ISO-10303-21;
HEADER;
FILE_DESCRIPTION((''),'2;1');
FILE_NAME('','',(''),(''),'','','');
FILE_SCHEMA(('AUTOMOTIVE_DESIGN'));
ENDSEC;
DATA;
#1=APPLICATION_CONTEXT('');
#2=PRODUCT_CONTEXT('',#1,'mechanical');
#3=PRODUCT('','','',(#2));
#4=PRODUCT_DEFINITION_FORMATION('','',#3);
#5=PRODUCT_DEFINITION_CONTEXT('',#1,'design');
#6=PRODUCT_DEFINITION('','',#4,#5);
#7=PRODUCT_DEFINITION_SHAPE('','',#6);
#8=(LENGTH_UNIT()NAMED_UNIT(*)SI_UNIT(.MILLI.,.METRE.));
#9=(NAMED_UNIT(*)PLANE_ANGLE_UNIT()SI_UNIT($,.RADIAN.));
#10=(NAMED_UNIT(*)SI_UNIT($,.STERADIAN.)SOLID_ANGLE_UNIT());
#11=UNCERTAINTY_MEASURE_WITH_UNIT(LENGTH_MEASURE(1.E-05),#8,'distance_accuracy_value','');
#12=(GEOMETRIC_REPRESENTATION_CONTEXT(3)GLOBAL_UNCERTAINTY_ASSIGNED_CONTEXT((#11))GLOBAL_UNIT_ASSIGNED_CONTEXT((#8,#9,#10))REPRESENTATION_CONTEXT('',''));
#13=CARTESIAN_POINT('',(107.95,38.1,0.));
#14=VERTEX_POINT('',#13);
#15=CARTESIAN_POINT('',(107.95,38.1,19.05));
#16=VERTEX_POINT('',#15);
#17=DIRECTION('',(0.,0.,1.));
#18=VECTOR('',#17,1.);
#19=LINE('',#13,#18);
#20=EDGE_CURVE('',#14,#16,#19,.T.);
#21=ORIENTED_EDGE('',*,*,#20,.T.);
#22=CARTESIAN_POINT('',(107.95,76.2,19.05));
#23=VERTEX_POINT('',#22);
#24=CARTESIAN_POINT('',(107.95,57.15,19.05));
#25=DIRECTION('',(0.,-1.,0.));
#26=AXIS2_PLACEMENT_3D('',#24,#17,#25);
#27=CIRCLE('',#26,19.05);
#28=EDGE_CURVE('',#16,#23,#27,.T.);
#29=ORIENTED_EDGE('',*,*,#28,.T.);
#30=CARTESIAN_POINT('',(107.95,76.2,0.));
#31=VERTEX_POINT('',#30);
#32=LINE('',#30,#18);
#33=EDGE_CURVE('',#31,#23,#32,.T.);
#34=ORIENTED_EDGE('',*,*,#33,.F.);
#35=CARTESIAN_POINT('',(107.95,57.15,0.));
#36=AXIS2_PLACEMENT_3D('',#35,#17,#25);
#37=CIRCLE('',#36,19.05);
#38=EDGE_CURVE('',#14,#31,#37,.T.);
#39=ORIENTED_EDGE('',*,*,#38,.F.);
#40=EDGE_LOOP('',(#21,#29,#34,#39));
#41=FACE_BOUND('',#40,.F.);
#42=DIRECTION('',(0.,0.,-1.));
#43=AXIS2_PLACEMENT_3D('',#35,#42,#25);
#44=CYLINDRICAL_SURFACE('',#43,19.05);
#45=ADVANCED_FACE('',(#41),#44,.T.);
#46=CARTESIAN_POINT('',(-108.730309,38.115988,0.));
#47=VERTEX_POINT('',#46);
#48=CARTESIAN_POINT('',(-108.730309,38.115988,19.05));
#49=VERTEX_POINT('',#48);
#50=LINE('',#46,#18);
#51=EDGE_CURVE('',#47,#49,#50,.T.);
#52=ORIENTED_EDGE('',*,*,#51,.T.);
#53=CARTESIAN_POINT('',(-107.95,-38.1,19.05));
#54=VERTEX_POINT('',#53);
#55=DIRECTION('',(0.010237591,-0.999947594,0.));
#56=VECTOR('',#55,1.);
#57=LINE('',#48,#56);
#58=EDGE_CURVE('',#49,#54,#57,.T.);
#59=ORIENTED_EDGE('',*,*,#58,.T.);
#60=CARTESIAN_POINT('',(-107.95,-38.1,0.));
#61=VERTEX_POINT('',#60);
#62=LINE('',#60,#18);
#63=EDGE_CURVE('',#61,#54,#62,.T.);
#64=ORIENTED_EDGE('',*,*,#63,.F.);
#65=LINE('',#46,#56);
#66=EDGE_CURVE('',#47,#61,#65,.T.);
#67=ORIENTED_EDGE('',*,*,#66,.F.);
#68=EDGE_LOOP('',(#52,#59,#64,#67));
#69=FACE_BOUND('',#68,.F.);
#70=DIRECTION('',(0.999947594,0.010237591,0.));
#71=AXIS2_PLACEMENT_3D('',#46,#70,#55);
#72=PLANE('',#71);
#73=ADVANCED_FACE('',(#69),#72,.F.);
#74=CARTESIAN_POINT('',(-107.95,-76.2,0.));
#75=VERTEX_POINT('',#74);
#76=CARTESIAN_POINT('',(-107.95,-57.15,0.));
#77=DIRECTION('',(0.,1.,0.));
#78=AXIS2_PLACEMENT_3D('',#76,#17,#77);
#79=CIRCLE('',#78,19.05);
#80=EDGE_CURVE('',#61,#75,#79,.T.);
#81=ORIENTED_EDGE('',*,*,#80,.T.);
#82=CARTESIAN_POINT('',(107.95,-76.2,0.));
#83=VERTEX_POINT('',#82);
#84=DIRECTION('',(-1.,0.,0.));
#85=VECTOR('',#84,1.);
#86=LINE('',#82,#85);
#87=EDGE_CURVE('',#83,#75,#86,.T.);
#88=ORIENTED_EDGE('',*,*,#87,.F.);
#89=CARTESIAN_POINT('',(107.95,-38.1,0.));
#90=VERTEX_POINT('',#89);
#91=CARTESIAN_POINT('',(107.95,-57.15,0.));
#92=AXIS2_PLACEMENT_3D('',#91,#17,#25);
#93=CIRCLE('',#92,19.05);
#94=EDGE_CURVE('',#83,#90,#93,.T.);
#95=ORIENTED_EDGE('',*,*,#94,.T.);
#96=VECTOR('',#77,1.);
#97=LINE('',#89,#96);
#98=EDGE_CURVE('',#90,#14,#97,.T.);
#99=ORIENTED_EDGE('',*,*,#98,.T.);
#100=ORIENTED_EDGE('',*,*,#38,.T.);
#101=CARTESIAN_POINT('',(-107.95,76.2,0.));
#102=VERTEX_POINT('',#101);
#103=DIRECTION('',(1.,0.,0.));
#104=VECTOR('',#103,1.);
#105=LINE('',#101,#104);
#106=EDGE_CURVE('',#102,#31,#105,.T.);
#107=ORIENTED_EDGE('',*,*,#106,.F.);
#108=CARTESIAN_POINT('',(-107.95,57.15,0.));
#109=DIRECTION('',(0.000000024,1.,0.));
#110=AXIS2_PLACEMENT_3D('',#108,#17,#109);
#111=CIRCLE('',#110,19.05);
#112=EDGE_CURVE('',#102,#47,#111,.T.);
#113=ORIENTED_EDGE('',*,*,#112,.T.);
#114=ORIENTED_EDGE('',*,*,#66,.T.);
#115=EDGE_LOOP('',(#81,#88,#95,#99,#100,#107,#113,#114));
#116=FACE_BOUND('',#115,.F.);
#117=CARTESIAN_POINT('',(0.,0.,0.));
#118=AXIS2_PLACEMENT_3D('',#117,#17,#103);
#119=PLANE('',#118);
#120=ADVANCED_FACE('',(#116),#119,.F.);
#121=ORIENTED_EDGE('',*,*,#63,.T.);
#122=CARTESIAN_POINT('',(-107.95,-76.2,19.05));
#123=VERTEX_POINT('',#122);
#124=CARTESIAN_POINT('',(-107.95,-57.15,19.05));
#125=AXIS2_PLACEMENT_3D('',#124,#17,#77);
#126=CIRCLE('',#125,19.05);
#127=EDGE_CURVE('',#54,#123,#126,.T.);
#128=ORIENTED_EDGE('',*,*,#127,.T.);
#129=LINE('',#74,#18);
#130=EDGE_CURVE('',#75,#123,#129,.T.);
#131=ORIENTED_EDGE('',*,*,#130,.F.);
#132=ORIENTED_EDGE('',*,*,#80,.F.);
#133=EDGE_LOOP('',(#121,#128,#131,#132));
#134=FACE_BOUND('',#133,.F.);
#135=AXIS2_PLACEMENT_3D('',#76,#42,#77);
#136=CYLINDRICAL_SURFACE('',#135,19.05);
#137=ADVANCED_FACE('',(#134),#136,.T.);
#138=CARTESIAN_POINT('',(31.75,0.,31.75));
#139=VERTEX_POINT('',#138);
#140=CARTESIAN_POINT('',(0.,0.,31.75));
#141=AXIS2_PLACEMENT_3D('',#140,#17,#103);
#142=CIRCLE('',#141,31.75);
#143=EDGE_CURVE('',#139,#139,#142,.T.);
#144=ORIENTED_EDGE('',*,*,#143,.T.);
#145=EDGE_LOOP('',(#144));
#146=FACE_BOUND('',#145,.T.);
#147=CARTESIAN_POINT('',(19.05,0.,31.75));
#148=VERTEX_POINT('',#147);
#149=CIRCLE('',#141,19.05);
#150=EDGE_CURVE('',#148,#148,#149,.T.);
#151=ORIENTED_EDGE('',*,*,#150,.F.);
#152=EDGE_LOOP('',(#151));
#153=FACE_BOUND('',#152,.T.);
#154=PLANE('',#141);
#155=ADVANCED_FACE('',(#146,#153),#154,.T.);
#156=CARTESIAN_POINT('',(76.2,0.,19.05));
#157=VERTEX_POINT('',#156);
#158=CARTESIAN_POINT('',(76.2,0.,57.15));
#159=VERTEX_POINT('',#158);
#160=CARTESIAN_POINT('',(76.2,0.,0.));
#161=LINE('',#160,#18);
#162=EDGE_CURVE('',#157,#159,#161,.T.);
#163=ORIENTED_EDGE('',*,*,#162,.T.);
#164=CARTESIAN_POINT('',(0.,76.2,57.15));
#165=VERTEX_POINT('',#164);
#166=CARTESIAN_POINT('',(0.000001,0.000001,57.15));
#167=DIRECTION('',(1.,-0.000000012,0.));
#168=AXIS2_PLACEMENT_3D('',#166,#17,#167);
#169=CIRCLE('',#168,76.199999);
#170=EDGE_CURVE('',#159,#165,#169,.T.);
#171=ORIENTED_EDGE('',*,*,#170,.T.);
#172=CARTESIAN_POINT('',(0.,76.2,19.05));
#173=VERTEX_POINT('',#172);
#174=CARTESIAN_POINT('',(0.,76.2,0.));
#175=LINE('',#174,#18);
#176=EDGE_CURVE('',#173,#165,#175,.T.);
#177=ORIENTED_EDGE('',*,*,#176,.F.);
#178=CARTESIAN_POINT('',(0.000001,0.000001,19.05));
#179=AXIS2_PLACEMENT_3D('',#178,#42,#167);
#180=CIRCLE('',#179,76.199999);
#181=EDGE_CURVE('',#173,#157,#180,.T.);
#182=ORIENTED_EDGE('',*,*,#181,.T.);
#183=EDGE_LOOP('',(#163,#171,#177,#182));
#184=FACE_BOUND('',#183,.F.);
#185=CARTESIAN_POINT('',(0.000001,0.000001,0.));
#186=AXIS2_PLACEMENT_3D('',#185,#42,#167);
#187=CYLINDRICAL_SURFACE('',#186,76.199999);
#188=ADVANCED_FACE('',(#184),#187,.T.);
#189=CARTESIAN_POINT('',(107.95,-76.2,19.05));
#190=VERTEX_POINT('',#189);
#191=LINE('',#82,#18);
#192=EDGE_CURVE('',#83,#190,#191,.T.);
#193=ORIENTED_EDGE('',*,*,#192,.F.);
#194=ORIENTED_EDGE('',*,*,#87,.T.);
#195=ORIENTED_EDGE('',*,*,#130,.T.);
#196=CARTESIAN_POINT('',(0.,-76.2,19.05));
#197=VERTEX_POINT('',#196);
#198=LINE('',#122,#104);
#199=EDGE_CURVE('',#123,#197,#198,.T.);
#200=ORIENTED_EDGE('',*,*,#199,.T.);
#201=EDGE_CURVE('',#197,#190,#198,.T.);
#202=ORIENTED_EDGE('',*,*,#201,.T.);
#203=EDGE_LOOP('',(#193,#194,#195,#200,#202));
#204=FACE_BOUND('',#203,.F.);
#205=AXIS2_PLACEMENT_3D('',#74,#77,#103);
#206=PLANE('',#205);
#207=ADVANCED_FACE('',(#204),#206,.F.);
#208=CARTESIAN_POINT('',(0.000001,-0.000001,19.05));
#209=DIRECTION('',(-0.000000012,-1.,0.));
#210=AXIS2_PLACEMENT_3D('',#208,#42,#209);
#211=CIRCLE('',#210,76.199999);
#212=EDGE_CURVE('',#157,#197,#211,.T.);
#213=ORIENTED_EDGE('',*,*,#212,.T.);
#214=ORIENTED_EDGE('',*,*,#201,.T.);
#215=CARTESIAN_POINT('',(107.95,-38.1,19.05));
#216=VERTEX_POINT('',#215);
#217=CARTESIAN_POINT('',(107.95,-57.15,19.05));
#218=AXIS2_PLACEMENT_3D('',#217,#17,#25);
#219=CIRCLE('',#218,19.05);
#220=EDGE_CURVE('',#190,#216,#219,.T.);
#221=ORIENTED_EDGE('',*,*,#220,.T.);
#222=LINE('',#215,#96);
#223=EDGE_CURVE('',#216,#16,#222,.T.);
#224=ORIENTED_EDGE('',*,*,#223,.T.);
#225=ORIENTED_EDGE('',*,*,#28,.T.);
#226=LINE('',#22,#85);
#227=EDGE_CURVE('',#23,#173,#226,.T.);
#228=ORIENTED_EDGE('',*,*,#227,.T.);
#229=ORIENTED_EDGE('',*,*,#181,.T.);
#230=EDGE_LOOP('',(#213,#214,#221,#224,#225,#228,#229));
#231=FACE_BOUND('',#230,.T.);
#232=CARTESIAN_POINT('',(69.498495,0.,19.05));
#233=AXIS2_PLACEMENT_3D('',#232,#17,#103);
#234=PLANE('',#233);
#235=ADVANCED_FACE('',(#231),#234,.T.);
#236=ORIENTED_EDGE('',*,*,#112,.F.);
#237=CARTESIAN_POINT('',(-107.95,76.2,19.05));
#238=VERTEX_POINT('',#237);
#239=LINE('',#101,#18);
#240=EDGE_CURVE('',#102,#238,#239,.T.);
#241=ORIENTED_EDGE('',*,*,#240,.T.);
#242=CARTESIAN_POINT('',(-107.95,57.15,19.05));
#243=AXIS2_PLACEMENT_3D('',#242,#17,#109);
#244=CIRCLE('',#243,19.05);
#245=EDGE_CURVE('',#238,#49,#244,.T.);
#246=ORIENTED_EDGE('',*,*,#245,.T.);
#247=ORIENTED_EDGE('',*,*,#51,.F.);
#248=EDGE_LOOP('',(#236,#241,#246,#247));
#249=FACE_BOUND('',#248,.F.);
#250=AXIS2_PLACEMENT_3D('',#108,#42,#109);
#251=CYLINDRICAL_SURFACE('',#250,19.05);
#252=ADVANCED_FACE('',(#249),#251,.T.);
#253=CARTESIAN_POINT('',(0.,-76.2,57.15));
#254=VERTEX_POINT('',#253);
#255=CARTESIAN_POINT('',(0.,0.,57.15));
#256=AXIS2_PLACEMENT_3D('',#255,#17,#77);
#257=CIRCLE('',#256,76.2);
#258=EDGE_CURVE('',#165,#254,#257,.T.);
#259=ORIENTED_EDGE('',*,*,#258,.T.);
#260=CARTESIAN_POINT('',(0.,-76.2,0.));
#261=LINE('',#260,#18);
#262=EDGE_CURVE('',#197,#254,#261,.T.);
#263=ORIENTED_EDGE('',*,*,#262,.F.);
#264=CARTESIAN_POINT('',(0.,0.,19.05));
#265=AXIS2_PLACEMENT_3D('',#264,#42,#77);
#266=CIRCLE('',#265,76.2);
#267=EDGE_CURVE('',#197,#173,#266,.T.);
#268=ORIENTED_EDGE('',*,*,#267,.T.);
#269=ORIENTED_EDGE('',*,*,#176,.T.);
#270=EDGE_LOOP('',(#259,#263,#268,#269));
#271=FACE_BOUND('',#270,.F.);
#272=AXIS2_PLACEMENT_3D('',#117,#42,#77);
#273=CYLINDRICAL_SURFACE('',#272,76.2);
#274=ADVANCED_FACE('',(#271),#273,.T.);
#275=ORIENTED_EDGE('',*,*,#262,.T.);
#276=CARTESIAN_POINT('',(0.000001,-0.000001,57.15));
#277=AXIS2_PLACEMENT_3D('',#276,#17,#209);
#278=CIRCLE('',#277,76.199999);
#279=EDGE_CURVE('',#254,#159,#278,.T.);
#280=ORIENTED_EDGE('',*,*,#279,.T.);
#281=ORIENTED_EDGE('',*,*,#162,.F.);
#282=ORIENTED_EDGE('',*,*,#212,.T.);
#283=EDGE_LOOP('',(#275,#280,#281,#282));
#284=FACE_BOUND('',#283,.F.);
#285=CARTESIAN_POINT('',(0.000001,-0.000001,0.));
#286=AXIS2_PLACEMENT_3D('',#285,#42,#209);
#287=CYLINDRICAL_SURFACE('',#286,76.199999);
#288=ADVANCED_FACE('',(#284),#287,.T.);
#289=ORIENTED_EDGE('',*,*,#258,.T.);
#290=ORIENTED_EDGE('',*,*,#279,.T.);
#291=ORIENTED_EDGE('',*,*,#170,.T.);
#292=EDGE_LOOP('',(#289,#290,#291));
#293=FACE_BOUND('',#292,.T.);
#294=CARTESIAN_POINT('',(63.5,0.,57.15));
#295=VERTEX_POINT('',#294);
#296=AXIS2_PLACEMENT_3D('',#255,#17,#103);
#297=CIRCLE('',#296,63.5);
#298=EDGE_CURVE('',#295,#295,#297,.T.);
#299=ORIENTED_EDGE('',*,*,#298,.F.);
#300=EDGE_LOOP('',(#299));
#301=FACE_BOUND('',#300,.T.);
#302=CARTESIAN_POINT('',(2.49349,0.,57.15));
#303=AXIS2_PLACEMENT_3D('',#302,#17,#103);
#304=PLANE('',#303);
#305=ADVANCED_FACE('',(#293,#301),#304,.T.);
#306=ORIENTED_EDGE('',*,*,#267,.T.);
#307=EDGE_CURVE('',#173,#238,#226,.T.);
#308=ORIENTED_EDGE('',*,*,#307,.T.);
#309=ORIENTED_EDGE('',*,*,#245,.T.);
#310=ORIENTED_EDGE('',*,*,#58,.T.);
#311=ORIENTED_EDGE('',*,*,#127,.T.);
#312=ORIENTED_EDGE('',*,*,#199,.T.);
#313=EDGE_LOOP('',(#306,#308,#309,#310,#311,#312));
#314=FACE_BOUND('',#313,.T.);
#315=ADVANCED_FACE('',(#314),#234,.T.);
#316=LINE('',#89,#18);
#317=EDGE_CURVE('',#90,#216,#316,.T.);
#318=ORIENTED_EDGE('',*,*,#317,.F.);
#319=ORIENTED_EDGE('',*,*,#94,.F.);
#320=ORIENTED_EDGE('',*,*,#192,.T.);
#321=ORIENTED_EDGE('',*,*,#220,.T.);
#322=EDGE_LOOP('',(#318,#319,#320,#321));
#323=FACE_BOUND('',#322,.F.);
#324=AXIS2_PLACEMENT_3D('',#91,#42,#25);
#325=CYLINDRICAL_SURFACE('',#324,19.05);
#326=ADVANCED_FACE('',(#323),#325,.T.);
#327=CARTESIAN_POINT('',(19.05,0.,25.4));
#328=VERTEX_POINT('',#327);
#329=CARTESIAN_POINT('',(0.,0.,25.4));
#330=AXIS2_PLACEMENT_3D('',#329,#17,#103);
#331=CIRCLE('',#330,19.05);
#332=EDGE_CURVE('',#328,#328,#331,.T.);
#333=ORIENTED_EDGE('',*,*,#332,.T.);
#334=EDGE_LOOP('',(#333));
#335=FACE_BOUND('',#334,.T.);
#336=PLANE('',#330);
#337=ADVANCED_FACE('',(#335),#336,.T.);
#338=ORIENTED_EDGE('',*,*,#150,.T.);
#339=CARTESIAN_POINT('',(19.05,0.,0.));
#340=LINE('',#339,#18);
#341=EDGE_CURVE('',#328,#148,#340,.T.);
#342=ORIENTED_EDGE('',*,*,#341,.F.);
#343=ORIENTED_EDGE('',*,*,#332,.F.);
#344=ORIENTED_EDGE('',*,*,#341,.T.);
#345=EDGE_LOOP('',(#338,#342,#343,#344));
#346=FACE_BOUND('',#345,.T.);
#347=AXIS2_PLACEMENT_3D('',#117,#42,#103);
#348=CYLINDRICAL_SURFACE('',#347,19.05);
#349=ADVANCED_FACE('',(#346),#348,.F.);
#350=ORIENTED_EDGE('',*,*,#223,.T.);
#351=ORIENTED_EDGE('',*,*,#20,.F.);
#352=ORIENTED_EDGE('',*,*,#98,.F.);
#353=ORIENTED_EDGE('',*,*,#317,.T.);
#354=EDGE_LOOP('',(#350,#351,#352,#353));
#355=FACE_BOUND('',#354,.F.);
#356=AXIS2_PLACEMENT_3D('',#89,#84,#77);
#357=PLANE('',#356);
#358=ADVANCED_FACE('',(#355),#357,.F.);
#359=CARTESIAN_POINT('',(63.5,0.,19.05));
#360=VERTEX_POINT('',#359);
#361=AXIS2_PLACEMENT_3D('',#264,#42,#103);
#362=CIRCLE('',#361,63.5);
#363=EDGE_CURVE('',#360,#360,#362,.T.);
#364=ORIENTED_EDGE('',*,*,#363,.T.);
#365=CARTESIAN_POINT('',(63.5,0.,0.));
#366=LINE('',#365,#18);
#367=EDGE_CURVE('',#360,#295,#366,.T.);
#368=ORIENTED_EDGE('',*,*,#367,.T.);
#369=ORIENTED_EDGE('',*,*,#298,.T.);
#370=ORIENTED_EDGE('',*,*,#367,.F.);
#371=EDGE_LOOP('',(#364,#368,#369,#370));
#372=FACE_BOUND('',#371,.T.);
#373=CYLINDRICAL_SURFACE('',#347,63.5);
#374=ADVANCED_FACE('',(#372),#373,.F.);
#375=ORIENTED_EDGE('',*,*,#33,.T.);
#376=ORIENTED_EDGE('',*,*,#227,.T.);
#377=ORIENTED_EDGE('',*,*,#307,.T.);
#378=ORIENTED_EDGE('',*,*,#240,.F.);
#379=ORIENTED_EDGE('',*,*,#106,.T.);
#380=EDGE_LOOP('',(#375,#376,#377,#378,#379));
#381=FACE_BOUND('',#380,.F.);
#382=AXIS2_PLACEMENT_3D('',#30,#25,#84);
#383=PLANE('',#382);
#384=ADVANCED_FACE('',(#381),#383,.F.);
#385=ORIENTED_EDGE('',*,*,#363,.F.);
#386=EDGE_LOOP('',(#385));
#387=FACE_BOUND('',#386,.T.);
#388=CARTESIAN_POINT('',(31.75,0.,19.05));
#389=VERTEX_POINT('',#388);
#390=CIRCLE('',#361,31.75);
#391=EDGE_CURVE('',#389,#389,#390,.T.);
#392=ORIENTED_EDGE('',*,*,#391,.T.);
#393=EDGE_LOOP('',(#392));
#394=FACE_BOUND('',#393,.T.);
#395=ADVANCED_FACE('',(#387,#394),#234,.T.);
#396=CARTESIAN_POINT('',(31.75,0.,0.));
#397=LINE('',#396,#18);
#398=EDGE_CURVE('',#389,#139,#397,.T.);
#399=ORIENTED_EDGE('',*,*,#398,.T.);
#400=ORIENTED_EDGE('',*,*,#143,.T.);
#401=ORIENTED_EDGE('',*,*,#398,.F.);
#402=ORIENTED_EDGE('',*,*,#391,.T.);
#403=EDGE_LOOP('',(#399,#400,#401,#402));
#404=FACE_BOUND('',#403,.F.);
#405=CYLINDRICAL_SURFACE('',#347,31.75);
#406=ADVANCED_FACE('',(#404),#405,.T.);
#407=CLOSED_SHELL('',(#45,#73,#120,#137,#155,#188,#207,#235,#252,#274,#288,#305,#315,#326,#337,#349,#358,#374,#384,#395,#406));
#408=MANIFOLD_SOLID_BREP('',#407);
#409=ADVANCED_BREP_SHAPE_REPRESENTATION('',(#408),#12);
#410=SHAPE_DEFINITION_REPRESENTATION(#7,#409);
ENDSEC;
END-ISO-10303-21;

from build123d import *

# Parameters (mm, degrees)
F0_R     = 63.5
F0_R_2   = 31.75
F0_R_3   = 19.05
F1_DEPTH = 19.05
F2_DEPTH = 57.15
F3_DEPTH = 31.75
F4_DEPTH = 25.4


with BuildPart() as f1:
    # F0 (on Top) → F1 (new body)
    with BuildSketch(Plane.XY):
        with BuildLine():
            ThreePointArc((0, 76.2), (53.881537, 53.881537), (76.2, 0))
            ThreePointArc((76.2, 0), (53.881537, -53.881537), (0, -76.2))
            Line((0, -76.2), (107.95, -76.2))
            ThreePointArc((107.95, -76.2), (127, -57.15), (107.95, -38.1))
            Line((107.95, -38.1), (107.95, 38.1))
            ThreePointArc((107.95, 38.1), (127, 57.15), (107.95, 76.2))
            Line((107.95, 76.2), (0, 76.2))
        make_face()
        with BuildLine():
            ThreePointArc((0, -76.2), (-76.2, 0), (0, 76.2))
            Line((0, 76.2), (-107.95, 76.2))
            ThreePointArc((-107.95, 76.2), (-126.996003, 57.540236), (-108.730309, 38.115988))
            Line((-108.730309, 38.115988), (-107.95, -38.1))
            ThreePointArc((-107.95, -38.1), (-127, -57.15), (-107.95, -76.2))
            Line((-107.95, -76.2), (0, -76.2))
        make_face()
        with BuildLine():
            ThreePointArc((0, -76.2), (53.881537, -53.881537), (76.2, 0))
            ThreePointArc((76.2, 0), (53.881537, 53.881537), (0, 76.2))
            ThreePointArc((0, 76.2), (-76.2, 0), (0, -76.2))
        make_face()
        Circle(F0_R, mode=Mode.SUBTRACT)
        Circle(F0_R)
        Circle(F0_R_2, mode=Mode.SUBTRACT)
        Circle(F0_R_2)
        Circle(F0_R_3, mode=Mode.SUBTRACT)
        Circle(F0_R_3)
    extrude(amount=F1_DEPTH)

    # F0 (on Top) → F2 (join)
    with BuildSketch(Plane.XY):
        with BuildLine():
            ThreePointArc((0, -76.2), (53.881537, -53.881537), (76.2, 0))
            ThreePointArc((76.2, 0), (53.881537, 53.881537), (0, 76.2))
            ThreePointArc((0, 76.2), (-76.2, 0), (0, -76.2))
        make_face()
        Circle(F0_R, mode=Mode.SUBTRACT)
    extrude(amount=F2_DEPTH)

    # F0 (on Top) → F3 (join)
    with BuildSketch(Plane.XY):
        Circle(F0_R_2)
        Circle(F0_R_3, mode=Mode.SUBTRACT)
    extrude(amount=F3_DEPTH)

    # F0 (on Top) → F4 (join)
    with BuildSketch(Plane.XY):
        Circle(F0_R_3)
    extrude(amount=F4_DEPTH)


solid = f1.part
